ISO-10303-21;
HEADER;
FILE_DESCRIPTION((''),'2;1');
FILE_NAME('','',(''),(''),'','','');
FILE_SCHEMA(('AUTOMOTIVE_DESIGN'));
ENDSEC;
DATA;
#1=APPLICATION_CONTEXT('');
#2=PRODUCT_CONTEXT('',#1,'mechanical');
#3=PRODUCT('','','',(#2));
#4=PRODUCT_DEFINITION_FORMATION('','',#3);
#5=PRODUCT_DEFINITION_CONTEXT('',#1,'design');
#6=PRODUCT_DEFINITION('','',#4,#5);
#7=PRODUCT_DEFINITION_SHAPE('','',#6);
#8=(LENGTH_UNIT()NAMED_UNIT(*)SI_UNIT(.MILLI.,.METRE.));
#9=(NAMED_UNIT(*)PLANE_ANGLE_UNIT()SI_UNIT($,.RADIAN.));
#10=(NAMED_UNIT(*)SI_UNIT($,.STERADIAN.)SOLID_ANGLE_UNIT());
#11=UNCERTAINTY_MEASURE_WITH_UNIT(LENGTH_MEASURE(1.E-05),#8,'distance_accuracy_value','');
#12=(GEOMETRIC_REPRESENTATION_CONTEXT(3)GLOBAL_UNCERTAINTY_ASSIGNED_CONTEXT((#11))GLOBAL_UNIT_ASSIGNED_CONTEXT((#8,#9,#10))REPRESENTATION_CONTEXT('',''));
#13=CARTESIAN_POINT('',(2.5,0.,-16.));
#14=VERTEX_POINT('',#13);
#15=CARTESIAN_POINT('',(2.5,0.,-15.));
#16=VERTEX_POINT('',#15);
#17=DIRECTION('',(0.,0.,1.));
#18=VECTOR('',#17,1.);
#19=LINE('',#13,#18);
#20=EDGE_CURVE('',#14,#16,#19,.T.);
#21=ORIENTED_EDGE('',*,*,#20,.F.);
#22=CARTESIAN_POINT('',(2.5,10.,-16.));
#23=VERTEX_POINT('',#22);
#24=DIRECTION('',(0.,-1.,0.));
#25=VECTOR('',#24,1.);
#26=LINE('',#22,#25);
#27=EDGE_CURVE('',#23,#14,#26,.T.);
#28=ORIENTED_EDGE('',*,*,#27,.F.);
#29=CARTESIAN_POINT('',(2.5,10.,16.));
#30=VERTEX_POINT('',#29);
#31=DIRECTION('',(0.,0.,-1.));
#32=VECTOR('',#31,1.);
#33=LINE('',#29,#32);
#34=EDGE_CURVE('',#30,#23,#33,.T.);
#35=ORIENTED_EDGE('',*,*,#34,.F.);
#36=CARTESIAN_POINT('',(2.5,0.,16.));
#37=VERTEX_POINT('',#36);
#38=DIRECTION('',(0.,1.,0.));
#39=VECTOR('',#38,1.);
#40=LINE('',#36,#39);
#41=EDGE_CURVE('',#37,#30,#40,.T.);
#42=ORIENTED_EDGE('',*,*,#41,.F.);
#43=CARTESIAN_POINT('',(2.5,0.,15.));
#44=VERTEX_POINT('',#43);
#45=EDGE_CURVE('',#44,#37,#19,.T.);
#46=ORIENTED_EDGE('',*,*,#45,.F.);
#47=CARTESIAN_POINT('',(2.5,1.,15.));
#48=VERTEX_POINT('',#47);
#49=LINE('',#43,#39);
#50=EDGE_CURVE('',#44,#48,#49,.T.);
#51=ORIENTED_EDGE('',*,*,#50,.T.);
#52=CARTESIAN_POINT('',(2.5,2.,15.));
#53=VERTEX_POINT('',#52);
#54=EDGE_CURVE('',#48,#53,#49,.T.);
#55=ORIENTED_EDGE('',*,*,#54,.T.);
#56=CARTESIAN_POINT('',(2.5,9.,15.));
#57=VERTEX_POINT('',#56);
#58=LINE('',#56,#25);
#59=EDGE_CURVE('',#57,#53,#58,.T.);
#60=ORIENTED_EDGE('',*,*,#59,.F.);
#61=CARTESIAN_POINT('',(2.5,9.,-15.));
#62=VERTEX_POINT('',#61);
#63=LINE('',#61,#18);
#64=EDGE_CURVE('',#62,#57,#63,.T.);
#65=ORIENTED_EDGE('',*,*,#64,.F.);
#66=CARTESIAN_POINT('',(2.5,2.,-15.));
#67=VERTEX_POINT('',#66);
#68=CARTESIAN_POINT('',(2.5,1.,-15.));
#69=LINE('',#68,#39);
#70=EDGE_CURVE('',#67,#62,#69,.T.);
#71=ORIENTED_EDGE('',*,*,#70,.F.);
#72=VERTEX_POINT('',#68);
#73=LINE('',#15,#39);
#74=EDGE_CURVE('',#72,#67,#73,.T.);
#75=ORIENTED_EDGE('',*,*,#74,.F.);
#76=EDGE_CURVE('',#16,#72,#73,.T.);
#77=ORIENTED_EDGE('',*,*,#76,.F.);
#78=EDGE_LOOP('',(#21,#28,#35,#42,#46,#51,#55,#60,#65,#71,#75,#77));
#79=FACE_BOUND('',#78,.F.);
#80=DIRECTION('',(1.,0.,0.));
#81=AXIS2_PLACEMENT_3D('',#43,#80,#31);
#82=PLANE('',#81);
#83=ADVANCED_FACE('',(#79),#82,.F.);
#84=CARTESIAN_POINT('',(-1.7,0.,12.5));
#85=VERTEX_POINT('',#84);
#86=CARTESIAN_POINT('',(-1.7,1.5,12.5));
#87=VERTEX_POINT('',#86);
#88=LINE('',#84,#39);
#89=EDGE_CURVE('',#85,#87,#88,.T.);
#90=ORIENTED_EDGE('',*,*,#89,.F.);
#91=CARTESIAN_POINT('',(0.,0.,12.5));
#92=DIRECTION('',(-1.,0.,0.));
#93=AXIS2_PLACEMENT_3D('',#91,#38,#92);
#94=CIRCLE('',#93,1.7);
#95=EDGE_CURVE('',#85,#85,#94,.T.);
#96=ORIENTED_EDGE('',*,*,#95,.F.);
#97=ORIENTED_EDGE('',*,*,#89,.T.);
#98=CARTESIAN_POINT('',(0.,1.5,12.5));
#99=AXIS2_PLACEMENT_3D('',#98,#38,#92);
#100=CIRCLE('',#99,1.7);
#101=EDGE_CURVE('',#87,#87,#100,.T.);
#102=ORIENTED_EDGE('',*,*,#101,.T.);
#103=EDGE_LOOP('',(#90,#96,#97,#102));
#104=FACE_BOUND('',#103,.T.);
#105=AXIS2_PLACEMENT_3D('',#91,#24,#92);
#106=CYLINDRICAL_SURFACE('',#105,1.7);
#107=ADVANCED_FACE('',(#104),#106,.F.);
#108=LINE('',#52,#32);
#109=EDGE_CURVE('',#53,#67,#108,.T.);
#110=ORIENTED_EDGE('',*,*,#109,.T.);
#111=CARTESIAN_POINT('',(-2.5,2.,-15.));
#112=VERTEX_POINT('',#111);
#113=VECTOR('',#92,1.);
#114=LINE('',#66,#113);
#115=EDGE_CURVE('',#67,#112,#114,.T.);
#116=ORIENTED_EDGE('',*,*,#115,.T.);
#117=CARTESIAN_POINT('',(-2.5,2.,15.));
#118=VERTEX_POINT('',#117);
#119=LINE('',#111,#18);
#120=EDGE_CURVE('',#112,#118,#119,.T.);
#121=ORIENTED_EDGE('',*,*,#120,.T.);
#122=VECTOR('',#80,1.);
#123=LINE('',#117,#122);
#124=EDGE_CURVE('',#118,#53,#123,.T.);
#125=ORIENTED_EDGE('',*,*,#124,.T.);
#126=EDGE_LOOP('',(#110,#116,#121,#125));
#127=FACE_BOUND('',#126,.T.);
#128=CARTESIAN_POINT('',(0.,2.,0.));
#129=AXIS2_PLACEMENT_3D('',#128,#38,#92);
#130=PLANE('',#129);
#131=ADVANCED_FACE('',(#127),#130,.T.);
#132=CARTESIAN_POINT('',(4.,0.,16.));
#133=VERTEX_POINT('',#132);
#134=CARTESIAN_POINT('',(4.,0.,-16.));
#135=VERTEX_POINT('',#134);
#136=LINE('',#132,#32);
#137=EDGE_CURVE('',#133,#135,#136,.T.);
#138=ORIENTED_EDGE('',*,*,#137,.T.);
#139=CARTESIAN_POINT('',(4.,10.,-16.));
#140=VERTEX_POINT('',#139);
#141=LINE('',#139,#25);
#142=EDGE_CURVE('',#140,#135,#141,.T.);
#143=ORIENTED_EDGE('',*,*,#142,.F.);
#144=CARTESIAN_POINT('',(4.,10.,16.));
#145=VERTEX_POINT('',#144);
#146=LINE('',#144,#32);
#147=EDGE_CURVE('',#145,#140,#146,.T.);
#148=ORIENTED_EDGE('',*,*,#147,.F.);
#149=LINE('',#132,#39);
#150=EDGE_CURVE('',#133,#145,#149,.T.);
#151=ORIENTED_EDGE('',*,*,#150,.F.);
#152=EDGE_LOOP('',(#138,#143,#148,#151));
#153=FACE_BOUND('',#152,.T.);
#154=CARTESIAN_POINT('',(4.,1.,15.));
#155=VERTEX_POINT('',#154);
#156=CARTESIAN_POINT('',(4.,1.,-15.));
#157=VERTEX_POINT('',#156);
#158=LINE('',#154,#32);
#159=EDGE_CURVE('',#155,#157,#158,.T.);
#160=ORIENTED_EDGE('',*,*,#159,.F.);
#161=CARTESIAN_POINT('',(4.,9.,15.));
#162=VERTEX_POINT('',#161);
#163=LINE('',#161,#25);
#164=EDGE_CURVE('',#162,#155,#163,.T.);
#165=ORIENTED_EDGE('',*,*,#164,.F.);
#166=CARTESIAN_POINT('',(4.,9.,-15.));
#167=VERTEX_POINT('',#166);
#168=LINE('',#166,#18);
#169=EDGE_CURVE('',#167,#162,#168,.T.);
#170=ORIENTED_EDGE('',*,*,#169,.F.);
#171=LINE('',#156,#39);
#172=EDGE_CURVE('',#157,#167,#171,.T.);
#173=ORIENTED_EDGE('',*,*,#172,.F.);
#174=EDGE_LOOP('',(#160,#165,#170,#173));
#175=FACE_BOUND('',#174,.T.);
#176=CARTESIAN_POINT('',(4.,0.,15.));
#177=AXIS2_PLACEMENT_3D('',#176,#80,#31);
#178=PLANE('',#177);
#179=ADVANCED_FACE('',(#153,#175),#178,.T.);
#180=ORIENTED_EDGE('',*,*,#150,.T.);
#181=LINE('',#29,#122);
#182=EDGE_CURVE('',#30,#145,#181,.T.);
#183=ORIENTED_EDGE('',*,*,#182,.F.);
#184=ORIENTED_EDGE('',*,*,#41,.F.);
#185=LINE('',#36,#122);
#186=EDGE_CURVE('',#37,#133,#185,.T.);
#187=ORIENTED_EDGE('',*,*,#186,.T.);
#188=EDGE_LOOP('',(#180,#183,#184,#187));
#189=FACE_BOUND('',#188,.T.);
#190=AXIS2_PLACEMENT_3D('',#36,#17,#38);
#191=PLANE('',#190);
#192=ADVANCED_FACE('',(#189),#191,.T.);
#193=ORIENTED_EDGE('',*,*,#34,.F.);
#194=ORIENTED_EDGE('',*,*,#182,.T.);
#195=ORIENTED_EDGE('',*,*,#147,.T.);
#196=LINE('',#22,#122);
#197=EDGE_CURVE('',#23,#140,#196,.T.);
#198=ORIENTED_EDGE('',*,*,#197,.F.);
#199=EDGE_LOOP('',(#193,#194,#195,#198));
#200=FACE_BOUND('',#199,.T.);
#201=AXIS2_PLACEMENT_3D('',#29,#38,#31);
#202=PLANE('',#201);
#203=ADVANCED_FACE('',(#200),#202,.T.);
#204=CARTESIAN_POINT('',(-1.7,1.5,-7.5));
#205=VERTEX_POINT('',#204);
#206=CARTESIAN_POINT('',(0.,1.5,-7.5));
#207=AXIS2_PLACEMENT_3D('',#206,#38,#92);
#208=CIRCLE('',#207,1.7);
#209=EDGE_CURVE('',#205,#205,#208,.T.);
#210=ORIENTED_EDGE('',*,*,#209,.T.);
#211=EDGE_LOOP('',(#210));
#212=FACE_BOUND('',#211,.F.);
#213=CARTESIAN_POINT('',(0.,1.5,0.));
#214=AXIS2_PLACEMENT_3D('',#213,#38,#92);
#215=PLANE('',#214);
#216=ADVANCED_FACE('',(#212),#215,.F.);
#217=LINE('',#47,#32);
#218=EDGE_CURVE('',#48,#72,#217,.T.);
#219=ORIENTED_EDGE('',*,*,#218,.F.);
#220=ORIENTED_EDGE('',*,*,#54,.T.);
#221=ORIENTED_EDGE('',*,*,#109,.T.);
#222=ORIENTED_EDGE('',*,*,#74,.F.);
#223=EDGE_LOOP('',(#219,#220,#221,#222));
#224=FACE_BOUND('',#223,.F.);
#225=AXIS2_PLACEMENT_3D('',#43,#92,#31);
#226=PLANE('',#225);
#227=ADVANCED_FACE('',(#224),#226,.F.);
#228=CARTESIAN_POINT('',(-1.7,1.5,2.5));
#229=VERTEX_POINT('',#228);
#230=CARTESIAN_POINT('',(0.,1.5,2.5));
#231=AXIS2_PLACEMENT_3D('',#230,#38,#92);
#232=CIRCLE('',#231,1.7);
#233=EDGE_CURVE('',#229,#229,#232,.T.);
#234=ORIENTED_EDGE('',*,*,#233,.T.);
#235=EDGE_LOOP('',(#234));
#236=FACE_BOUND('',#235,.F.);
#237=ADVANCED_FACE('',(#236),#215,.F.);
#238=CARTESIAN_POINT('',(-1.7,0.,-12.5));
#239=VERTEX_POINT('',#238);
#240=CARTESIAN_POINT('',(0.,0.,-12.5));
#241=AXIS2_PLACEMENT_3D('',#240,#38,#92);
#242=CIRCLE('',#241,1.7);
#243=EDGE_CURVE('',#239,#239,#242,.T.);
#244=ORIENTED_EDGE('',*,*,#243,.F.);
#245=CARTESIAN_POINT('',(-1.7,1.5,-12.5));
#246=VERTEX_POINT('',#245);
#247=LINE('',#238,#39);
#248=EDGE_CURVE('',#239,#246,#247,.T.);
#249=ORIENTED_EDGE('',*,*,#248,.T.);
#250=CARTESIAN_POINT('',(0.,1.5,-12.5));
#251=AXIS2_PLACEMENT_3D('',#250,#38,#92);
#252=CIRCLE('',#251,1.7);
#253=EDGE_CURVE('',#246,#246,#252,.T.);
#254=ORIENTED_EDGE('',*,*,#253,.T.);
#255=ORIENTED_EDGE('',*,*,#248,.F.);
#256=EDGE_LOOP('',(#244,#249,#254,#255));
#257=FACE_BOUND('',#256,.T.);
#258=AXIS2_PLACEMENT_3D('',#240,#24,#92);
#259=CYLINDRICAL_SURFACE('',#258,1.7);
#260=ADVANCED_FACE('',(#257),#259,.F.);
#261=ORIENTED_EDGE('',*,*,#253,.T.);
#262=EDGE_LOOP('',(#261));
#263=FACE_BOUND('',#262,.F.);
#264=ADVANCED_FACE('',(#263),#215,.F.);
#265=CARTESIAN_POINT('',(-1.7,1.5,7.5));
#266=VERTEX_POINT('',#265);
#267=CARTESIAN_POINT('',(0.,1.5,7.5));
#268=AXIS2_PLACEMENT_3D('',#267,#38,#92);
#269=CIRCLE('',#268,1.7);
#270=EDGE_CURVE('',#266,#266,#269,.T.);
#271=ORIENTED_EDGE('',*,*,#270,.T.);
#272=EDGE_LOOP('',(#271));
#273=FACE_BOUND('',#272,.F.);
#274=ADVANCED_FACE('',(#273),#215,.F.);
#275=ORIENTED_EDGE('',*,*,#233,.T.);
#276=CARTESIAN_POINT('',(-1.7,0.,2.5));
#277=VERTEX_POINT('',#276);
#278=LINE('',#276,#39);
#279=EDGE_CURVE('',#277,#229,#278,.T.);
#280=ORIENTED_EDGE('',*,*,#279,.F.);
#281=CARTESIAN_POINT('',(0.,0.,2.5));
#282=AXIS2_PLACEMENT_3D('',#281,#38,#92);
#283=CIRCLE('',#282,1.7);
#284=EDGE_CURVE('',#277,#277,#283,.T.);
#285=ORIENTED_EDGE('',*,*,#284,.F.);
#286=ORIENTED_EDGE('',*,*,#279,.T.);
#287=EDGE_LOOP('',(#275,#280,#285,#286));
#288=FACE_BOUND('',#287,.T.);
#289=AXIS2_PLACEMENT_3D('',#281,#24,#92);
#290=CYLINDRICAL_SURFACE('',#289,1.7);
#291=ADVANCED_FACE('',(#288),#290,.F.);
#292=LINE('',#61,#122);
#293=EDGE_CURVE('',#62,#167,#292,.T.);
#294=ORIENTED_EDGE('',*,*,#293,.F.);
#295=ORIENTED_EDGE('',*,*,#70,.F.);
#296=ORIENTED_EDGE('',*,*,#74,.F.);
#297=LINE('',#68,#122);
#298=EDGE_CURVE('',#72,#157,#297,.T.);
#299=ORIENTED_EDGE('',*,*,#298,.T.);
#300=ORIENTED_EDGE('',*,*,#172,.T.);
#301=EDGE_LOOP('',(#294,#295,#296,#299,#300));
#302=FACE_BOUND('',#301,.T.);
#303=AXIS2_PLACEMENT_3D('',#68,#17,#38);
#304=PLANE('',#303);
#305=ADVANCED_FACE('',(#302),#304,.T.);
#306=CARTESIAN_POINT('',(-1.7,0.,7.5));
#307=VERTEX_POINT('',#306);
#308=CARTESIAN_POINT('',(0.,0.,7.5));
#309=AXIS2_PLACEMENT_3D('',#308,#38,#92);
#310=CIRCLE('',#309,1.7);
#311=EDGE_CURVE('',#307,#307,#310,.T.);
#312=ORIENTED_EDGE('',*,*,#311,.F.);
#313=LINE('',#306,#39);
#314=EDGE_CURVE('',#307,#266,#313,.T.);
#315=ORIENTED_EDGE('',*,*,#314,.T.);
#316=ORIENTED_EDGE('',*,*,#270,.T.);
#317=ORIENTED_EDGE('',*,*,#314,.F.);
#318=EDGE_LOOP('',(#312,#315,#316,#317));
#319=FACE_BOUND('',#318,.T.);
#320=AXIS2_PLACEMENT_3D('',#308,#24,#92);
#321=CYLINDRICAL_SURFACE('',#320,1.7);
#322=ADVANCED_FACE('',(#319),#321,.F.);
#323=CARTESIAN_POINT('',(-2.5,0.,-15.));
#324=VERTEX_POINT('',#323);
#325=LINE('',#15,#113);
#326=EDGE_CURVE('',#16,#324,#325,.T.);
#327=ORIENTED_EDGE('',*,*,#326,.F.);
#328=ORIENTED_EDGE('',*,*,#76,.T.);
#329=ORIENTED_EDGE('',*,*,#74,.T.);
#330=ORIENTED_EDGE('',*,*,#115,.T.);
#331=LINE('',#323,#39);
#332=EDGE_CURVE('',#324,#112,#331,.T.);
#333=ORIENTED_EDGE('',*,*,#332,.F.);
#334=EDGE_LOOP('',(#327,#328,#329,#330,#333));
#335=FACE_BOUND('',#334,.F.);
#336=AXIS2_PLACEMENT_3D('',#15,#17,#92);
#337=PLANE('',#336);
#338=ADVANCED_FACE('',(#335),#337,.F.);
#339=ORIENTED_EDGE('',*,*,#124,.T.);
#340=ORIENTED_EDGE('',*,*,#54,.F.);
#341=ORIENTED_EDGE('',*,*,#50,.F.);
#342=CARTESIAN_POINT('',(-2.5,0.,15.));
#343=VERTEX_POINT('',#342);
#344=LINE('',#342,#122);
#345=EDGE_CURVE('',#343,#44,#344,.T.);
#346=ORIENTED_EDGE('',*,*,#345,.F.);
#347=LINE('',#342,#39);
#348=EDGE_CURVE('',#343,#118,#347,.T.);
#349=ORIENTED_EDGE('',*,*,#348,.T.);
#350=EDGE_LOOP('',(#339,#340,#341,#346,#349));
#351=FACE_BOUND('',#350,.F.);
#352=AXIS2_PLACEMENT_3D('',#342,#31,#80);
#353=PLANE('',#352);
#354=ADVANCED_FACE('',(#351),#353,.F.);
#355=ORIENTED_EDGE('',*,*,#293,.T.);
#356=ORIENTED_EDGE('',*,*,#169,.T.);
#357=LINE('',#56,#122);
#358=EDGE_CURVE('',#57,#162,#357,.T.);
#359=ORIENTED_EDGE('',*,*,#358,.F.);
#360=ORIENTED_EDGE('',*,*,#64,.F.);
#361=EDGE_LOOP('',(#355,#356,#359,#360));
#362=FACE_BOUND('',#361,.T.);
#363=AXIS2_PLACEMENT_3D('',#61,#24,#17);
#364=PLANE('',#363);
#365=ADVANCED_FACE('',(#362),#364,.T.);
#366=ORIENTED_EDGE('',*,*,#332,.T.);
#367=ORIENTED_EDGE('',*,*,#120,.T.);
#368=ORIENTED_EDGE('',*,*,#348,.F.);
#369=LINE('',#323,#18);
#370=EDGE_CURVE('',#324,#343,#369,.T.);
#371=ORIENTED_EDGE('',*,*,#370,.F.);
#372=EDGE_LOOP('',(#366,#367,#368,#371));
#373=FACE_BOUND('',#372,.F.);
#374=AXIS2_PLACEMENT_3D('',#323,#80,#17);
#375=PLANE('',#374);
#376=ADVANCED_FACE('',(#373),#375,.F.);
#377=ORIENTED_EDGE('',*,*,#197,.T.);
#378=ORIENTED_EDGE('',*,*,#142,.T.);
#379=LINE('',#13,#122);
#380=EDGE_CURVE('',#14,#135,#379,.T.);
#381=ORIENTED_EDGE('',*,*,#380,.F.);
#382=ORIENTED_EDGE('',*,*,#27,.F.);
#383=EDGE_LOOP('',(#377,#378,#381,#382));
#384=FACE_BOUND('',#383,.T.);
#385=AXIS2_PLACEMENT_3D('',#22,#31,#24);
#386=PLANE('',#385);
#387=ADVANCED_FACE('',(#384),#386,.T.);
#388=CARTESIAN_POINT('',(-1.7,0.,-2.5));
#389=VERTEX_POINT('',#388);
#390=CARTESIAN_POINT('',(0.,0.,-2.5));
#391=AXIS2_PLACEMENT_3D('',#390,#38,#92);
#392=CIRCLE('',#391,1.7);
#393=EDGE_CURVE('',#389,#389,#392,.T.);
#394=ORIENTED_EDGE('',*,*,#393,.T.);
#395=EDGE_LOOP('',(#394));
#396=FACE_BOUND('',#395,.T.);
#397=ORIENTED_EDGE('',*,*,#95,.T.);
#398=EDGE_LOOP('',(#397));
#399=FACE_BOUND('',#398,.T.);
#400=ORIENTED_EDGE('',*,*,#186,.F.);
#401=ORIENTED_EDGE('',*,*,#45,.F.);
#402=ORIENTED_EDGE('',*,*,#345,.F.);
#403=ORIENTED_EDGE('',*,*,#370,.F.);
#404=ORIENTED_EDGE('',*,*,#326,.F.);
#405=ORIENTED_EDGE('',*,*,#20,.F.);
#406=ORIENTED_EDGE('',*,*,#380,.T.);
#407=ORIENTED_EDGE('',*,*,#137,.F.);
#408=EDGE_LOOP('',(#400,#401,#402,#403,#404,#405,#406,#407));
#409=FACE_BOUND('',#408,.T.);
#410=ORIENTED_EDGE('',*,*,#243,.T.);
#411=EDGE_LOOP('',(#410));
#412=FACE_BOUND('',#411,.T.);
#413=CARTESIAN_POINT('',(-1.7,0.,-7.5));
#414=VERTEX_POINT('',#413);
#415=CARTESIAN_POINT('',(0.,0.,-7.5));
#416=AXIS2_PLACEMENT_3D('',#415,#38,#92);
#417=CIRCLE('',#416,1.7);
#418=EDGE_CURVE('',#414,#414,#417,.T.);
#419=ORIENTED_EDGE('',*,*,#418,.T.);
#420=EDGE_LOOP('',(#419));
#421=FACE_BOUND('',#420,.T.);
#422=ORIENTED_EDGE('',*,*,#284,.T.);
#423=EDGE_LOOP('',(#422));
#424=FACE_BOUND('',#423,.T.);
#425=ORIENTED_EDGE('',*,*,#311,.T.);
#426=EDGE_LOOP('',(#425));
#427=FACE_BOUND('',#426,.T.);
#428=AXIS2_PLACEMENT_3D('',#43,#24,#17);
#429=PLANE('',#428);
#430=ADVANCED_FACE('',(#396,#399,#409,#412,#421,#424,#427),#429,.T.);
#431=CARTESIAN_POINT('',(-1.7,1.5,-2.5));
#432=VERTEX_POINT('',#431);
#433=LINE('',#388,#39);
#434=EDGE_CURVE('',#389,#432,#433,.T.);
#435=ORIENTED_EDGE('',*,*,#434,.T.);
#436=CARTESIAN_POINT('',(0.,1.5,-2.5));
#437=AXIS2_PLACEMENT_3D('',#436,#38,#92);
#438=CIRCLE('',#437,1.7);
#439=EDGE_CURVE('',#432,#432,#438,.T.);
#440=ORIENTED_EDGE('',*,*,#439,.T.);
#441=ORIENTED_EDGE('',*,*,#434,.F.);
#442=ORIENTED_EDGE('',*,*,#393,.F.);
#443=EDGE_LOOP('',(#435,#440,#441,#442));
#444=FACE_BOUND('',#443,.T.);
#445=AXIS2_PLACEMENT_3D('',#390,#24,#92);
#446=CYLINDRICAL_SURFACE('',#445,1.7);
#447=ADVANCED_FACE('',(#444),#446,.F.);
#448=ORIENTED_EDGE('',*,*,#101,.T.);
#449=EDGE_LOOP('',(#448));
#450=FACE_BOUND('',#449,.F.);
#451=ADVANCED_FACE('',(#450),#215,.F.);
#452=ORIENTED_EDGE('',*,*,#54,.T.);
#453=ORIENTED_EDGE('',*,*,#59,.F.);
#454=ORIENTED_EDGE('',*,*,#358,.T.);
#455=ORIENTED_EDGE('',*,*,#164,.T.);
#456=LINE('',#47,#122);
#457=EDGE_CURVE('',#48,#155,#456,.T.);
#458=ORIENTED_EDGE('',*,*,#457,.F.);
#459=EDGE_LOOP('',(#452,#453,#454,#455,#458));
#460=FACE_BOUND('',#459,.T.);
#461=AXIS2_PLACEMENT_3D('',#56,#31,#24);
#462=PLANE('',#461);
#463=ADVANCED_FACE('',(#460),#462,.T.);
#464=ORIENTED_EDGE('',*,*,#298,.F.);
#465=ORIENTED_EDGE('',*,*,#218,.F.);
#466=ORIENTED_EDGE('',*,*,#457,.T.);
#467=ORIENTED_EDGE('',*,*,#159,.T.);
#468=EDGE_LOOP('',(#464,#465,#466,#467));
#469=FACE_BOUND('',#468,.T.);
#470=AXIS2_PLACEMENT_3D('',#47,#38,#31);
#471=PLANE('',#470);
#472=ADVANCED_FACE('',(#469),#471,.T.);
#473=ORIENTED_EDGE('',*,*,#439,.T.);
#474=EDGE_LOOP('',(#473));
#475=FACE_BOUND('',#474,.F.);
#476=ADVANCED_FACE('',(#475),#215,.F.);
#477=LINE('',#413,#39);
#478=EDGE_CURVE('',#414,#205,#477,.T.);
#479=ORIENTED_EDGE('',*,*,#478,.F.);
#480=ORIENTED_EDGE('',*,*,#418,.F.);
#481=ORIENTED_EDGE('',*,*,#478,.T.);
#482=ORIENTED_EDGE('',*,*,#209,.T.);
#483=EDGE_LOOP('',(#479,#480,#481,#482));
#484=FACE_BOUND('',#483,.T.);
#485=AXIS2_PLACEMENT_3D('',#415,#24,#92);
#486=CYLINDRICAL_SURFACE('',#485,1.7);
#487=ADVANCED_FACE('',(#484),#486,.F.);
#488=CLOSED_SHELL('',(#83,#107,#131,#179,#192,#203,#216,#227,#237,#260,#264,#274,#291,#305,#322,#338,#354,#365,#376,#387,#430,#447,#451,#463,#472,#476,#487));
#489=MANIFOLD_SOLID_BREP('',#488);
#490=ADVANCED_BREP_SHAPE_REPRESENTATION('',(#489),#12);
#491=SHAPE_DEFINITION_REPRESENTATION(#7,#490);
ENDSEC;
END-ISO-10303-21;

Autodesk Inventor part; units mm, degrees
ref_plane "YZ Plane" through (0, 0, 0) normal (1, 0, 0) x (0, 1, 0)
ref_plane "XZ Plane" through (0, 0, 0) normal (0, 1, 0) x (-1, 0, 0)
ref_plane "XY Plane" through (0, 0, 0) normal (0, 0, 1) x (1, 0, 0)
sketch "草圖1" plane through (0, 0, 0) normal (0, 1, 0) x (-1, 0, 0)
  line L0 (2.5, 15) -> (-2.5, 15)
  line L1 (-2.5, 15) -> (-2.5, -15)
  line L2 (-2.5, -15) -> (2.5, -15)
  line L3 (2.5, -15) -> (2.5, 15)
  circle A0 centre (0, 12.5) radius 1.7
  circle A1 centre (0, 7.5) radius 1.7
  circle A2 centre (0, 2.5) radius 1.7
  circle A3 centre (0, -2.5) radius 1.7
  circle A4 centre (0, -7.5) radius 1.7
  circle A5 centre (0, -12.5) radius 1.7
  point P0 (0, 0)
  point P1 (2.5, 0)
  point P2 (0, 15)
  dimension "d0" = 5
  dimension "d1" = 30
  dimension "d2" = 3.4
  dimension "d3" = 2.5
  dimension "d4" = 2.5
  dimension "d7" = 5
extrude "擠出1" add sketch "草圖1" along normal blind 2 contours L3 L2 L1 L0 | A0 | A1 | A2 | A3 | A4 | A5
extrude "擠出2" cut sketch "草圖1" along normal blind 1.5 contours A0 | A1 | A2 | A3 | A4 | A5
sketch "草圖2" plane through (2.5, 0, 15) normal (1, 0, 0) x (0, 0, -1)
  line L0 (-1, 10) -> (31, 10)
  line L1 (31, 10) -> (31, 0)
  line L2 (31, 0) -> (-1, 0)
  line L3 (-1, 0) -> (-1, 10)
  line L4 (0, 0) -> (30, 0) projected
  line L5 (30, 9) -> (0, 9)
  line L6 (0, 9) -> (0, 1)
  line L7 (0, 1) -> (30, 1)
  line L8 (30, 1) -> (30, 9)
  point P0 (15, 0)
  point P1 (15, 10)
  point P2 (15, 0)
  point P3 (15, 0)
  dimension "d16" = 32
  dimension "d17" = 10
  dimension "d18" = 1
extrude "擠出3" add sketch "草圖2" along normal blind 1.5
properties part number "110033226_ipt_20_塔樓窗戶"
